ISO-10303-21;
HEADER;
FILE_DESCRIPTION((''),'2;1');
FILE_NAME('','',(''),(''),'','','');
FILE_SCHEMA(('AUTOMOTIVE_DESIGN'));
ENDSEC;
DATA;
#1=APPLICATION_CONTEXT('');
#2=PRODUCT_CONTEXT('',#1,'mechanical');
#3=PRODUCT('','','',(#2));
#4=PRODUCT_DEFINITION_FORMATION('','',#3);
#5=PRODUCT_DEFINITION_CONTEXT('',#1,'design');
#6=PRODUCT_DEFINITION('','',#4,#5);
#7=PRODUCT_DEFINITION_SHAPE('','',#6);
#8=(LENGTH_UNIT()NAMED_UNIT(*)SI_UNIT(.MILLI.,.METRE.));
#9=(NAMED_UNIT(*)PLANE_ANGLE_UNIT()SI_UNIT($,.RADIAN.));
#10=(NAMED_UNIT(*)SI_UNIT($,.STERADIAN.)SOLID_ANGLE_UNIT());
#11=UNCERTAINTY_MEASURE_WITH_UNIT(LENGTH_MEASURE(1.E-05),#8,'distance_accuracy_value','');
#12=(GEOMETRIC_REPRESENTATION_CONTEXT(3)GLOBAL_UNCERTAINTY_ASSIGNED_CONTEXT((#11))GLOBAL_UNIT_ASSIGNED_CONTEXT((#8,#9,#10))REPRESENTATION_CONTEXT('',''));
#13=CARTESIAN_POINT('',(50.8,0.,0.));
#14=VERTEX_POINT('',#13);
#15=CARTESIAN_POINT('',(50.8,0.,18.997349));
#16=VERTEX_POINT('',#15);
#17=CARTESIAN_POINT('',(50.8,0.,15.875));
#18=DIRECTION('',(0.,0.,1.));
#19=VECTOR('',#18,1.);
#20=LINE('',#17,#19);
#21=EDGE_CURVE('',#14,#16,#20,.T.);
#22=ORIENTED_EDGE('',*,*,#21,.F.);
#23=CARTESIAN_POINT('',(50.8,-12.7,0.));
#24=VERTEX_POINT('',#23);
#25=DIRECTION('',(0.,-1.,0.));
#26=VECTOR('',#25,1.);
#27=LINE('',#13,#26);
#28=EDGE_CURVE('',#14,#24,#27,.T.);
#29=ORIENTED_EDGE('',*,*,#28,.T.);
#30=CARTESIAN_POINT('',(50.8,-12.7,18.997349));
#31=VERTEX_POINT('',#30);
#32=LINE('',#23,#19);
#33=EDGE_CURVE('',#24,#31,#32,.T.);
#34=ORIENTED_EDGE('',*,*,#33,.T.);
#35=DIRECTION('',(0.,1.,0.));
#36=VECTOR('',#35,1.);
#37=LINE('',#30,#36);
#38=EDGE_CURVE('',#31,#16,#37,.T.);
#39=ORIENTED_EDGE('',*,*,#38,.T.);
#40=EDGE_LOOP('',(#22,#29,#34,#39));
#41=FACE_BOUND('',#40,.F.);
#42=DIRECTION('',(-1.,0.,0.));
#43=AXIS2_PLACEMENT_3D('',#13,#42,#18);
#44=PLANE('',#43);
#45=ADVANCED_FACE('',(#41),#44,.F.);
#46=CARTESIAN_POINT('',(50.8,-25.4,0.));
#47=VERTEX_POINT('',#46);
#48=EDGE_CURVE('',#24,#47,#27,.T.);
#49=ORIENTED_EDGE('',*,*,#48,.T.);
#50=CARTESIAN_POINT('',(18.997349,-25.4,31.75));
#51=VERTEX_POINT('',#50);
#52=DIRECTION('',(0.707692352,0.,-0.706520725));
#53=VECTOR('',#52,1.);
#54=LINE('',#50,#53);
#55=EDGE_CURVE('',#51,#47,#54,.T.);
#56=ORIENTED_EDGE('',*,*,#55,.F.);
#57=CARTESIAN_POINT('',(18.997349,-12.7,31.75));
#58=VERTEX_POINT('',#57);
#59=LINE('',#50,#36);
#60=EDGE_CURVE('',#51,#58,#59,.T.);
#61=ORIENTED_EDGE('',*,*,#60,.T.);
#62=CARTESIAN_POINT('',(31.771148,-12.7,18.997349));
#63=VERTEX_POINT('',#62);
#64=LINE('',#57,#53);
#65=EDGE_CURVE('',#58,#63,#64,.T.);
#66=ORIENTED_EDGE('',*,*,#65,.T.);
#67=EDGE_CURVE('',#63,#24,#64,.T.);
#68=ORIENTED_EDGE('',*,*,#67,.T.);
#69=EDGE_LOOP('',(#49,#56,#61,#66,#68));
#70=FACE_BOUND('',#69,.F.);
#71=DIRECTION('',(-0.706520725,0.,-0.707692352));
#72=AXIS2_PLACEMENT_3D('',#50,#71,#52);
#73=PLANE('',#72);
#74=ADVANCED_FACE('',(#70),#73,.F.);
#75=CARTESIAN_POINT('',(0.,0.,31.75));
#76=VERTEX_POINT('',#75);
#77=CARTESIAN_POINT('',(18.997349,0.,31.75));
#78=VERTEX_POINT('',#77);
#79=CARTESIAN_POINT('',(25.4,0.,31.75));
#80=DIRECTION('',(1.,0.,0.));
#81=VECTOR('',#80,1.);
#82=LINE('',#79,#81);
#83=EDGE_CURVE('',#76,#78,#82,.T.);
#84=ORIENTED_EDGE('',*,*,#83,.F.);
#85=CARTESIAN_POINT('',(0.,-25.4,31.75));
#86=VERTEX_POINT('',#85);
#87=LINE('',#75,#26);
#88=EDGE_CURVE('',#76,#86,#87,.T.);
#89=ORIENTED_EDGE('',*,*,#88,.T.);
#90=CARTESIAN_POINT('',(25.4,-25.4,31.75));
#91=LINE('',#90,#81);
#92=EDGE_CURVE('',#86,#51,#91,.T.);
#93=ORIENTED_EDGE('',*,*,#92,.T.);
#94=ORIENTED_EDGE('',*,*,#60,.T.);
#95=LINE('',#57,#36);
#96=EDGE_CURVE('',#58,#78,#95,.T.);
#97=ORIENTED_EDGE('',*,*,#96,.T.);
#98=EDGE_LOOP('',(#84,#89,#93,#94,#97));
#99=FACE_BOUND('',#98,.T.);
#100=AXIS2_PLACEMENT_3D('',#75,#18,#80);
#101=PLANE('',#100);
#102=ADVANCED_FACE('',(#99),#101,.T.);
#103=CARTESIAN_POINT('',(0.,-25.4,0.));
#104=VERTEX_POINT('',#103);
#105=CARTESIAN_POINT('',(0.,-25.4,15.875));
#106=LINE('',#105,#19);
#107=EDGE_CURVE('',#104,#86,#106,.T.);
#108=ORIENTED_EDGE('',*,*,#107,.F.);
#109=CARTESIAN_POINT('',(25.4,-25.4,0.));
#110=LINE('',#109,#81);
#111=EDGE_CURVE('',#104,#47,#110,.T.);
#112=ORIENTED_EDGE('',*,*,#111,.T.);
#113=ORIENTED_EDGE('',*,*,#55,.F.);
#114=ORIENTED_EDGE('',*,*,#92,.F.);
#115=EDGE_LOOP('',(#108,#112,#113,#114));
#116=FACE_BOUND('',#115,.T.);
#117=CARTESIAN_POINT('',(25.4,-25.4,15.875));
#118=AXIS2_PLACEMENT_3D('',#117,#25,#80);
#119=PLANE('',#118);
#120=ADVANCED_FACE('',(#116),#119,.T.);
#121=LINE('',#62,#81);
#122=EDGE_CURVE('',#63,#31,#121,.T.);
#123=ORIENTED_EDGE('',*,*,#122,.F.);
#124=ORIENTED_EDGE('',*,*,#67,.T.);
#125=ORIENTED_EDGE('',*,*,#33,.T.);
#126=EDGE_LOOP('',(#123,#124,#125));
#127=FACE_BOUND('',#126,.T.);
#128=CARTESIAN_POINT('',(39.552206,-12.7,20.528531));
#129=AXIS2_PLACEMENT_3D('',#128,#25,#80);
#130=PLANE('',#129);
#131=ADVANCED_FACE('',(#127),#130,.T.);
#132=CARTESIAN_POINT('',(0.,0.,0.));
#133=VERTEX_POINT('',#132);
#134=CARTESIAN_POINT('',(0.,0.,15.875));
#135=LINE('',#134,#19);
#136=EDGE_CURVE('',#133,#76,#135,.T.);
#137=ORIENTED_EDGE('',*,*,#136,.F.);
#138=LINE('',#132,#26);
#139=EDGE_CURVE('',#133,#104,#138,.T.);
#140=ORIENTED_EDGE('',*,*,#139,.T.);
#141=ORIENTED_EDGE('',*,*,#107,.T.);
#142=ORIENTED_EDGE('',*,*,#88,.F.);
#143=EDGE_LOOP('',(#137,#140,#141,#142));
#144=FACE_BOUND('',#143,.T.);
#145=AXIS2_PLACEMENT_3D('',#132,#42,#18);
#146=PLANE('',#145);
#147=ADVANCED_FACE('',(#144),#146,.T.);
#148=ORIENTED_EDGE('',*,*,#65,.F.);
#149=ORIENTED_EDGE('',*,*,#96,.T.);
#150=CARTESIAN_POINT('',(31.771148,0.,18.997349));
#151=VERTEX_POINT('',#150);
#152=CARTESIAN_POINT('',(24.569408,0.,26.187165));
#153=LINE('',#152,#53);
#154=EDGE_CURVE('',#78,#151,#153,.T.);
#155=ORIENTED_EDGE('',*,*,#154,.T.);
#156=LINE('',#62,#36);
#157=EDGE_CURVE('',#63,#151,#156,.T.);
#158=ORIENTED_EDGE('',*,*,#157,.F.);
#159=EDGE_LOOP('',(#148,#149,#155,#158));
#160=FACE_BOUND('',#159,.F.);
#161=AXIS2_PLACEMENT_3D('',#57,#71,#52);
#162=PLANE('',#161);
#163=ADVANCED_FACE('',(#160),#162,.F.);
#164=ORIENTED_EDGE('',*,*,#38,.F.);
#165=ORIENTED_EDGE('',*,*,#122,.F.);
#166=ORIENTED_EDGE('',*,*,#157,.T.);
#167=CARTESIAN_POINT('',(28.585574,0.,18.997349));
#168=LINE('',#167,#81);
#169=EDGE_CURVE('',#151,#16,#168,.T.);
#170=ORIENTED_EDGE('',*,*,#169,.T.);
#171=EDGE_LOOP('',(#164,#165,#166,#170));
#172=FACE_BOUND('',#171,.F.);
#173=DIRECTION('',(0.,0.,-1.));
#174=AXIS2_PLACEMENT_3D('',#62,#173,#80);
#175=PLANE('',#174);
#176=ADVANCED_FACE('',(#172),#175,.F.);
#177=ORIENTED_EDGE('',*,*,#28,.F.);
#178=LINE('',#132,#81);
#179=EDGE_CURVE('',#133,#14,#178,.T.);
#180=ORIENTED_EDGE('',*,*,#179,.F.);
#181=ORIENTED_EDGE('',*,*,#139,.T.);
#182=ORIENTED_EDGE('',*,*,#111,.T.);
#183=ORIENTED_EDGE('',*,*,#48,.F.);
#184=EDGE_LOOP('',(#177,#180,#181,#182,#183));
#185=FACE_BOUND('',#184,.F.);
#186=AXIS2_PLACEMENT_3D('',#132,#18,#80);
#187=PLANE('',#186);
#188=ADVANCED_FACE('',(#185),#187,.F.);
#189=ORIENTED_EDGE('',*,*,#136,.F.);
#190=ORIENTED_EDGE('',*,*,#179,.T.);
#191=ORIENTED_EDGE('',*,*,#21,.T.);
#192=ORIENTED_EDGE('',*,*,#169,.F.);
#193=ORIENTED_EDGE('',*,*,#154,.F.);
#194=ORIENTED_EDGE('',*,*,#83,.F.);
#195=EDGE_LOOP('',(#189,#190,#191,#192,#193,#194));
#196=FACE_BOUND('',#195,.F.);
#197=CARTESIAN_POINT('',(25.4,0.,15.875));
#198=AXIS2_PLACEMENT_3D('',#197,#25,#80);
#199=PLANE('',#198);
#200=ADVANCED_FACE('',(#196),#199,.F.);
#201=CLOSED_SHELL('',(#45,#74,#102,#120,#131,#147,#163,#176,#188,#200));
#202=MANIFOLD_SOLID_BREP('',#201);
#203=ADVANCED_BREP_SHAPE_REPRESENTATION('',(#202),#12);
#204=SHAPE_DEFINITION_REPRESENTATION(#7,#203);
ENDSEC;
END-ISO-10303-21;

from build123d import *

# Parameters (mm, degrees)
F0_W     = 50.8
F0_H     = 31.75
F1_DEPTH = 25.4
F3_DEPTH = 12.7
F5_DEPTH = 12.7
F7_DEPTH = 12.701


with BuildPart() as f1:
    # F0 (on Front) → F1 (new body)
    with BuildSketch(Plane.XZ):
        with Locations((25.4, 15.875)):
            Rectangle(F0_W, F0_H)
    extrude(amount=F1_DEPTH)

    # F2 (on Front) → F3 (cut)
    with BuildSketch(Plane.XZ):
        Polygon((31.426101923, 5.7290680707), (38.6526212096, -0.4363064363), (50.3639169037, 0), (50.3639169037, 5.7290680707), align=None)
    extrude(amount=-F3_DEPTH, mode=Mode.SUBTRACT)

    # F4 (on face) → F5 (cut)
    with BuildSketch(Plane.XZ.offset(25.4)):
        Polygon((50.8, 31.75), (18.997348845, 31.75), (50.8, 0), align=None)
    extrude(amount=-F5_DEPTH, mode=Mode.SUBTRACT)

    # F6 (on face) → F7 (cut, through all)
    with BuildSketch(Plane.XZ.offset(12.7)):
        Polygon((31.7711477736, 18.997348845), (50.8, 18.997348845), (50.8, 31.75), (18.997348845, 31.75), align=None)
    extrude(amount=-F7_DEPTH, mode=Mode.SUBTRACT)


solid = f1.part
